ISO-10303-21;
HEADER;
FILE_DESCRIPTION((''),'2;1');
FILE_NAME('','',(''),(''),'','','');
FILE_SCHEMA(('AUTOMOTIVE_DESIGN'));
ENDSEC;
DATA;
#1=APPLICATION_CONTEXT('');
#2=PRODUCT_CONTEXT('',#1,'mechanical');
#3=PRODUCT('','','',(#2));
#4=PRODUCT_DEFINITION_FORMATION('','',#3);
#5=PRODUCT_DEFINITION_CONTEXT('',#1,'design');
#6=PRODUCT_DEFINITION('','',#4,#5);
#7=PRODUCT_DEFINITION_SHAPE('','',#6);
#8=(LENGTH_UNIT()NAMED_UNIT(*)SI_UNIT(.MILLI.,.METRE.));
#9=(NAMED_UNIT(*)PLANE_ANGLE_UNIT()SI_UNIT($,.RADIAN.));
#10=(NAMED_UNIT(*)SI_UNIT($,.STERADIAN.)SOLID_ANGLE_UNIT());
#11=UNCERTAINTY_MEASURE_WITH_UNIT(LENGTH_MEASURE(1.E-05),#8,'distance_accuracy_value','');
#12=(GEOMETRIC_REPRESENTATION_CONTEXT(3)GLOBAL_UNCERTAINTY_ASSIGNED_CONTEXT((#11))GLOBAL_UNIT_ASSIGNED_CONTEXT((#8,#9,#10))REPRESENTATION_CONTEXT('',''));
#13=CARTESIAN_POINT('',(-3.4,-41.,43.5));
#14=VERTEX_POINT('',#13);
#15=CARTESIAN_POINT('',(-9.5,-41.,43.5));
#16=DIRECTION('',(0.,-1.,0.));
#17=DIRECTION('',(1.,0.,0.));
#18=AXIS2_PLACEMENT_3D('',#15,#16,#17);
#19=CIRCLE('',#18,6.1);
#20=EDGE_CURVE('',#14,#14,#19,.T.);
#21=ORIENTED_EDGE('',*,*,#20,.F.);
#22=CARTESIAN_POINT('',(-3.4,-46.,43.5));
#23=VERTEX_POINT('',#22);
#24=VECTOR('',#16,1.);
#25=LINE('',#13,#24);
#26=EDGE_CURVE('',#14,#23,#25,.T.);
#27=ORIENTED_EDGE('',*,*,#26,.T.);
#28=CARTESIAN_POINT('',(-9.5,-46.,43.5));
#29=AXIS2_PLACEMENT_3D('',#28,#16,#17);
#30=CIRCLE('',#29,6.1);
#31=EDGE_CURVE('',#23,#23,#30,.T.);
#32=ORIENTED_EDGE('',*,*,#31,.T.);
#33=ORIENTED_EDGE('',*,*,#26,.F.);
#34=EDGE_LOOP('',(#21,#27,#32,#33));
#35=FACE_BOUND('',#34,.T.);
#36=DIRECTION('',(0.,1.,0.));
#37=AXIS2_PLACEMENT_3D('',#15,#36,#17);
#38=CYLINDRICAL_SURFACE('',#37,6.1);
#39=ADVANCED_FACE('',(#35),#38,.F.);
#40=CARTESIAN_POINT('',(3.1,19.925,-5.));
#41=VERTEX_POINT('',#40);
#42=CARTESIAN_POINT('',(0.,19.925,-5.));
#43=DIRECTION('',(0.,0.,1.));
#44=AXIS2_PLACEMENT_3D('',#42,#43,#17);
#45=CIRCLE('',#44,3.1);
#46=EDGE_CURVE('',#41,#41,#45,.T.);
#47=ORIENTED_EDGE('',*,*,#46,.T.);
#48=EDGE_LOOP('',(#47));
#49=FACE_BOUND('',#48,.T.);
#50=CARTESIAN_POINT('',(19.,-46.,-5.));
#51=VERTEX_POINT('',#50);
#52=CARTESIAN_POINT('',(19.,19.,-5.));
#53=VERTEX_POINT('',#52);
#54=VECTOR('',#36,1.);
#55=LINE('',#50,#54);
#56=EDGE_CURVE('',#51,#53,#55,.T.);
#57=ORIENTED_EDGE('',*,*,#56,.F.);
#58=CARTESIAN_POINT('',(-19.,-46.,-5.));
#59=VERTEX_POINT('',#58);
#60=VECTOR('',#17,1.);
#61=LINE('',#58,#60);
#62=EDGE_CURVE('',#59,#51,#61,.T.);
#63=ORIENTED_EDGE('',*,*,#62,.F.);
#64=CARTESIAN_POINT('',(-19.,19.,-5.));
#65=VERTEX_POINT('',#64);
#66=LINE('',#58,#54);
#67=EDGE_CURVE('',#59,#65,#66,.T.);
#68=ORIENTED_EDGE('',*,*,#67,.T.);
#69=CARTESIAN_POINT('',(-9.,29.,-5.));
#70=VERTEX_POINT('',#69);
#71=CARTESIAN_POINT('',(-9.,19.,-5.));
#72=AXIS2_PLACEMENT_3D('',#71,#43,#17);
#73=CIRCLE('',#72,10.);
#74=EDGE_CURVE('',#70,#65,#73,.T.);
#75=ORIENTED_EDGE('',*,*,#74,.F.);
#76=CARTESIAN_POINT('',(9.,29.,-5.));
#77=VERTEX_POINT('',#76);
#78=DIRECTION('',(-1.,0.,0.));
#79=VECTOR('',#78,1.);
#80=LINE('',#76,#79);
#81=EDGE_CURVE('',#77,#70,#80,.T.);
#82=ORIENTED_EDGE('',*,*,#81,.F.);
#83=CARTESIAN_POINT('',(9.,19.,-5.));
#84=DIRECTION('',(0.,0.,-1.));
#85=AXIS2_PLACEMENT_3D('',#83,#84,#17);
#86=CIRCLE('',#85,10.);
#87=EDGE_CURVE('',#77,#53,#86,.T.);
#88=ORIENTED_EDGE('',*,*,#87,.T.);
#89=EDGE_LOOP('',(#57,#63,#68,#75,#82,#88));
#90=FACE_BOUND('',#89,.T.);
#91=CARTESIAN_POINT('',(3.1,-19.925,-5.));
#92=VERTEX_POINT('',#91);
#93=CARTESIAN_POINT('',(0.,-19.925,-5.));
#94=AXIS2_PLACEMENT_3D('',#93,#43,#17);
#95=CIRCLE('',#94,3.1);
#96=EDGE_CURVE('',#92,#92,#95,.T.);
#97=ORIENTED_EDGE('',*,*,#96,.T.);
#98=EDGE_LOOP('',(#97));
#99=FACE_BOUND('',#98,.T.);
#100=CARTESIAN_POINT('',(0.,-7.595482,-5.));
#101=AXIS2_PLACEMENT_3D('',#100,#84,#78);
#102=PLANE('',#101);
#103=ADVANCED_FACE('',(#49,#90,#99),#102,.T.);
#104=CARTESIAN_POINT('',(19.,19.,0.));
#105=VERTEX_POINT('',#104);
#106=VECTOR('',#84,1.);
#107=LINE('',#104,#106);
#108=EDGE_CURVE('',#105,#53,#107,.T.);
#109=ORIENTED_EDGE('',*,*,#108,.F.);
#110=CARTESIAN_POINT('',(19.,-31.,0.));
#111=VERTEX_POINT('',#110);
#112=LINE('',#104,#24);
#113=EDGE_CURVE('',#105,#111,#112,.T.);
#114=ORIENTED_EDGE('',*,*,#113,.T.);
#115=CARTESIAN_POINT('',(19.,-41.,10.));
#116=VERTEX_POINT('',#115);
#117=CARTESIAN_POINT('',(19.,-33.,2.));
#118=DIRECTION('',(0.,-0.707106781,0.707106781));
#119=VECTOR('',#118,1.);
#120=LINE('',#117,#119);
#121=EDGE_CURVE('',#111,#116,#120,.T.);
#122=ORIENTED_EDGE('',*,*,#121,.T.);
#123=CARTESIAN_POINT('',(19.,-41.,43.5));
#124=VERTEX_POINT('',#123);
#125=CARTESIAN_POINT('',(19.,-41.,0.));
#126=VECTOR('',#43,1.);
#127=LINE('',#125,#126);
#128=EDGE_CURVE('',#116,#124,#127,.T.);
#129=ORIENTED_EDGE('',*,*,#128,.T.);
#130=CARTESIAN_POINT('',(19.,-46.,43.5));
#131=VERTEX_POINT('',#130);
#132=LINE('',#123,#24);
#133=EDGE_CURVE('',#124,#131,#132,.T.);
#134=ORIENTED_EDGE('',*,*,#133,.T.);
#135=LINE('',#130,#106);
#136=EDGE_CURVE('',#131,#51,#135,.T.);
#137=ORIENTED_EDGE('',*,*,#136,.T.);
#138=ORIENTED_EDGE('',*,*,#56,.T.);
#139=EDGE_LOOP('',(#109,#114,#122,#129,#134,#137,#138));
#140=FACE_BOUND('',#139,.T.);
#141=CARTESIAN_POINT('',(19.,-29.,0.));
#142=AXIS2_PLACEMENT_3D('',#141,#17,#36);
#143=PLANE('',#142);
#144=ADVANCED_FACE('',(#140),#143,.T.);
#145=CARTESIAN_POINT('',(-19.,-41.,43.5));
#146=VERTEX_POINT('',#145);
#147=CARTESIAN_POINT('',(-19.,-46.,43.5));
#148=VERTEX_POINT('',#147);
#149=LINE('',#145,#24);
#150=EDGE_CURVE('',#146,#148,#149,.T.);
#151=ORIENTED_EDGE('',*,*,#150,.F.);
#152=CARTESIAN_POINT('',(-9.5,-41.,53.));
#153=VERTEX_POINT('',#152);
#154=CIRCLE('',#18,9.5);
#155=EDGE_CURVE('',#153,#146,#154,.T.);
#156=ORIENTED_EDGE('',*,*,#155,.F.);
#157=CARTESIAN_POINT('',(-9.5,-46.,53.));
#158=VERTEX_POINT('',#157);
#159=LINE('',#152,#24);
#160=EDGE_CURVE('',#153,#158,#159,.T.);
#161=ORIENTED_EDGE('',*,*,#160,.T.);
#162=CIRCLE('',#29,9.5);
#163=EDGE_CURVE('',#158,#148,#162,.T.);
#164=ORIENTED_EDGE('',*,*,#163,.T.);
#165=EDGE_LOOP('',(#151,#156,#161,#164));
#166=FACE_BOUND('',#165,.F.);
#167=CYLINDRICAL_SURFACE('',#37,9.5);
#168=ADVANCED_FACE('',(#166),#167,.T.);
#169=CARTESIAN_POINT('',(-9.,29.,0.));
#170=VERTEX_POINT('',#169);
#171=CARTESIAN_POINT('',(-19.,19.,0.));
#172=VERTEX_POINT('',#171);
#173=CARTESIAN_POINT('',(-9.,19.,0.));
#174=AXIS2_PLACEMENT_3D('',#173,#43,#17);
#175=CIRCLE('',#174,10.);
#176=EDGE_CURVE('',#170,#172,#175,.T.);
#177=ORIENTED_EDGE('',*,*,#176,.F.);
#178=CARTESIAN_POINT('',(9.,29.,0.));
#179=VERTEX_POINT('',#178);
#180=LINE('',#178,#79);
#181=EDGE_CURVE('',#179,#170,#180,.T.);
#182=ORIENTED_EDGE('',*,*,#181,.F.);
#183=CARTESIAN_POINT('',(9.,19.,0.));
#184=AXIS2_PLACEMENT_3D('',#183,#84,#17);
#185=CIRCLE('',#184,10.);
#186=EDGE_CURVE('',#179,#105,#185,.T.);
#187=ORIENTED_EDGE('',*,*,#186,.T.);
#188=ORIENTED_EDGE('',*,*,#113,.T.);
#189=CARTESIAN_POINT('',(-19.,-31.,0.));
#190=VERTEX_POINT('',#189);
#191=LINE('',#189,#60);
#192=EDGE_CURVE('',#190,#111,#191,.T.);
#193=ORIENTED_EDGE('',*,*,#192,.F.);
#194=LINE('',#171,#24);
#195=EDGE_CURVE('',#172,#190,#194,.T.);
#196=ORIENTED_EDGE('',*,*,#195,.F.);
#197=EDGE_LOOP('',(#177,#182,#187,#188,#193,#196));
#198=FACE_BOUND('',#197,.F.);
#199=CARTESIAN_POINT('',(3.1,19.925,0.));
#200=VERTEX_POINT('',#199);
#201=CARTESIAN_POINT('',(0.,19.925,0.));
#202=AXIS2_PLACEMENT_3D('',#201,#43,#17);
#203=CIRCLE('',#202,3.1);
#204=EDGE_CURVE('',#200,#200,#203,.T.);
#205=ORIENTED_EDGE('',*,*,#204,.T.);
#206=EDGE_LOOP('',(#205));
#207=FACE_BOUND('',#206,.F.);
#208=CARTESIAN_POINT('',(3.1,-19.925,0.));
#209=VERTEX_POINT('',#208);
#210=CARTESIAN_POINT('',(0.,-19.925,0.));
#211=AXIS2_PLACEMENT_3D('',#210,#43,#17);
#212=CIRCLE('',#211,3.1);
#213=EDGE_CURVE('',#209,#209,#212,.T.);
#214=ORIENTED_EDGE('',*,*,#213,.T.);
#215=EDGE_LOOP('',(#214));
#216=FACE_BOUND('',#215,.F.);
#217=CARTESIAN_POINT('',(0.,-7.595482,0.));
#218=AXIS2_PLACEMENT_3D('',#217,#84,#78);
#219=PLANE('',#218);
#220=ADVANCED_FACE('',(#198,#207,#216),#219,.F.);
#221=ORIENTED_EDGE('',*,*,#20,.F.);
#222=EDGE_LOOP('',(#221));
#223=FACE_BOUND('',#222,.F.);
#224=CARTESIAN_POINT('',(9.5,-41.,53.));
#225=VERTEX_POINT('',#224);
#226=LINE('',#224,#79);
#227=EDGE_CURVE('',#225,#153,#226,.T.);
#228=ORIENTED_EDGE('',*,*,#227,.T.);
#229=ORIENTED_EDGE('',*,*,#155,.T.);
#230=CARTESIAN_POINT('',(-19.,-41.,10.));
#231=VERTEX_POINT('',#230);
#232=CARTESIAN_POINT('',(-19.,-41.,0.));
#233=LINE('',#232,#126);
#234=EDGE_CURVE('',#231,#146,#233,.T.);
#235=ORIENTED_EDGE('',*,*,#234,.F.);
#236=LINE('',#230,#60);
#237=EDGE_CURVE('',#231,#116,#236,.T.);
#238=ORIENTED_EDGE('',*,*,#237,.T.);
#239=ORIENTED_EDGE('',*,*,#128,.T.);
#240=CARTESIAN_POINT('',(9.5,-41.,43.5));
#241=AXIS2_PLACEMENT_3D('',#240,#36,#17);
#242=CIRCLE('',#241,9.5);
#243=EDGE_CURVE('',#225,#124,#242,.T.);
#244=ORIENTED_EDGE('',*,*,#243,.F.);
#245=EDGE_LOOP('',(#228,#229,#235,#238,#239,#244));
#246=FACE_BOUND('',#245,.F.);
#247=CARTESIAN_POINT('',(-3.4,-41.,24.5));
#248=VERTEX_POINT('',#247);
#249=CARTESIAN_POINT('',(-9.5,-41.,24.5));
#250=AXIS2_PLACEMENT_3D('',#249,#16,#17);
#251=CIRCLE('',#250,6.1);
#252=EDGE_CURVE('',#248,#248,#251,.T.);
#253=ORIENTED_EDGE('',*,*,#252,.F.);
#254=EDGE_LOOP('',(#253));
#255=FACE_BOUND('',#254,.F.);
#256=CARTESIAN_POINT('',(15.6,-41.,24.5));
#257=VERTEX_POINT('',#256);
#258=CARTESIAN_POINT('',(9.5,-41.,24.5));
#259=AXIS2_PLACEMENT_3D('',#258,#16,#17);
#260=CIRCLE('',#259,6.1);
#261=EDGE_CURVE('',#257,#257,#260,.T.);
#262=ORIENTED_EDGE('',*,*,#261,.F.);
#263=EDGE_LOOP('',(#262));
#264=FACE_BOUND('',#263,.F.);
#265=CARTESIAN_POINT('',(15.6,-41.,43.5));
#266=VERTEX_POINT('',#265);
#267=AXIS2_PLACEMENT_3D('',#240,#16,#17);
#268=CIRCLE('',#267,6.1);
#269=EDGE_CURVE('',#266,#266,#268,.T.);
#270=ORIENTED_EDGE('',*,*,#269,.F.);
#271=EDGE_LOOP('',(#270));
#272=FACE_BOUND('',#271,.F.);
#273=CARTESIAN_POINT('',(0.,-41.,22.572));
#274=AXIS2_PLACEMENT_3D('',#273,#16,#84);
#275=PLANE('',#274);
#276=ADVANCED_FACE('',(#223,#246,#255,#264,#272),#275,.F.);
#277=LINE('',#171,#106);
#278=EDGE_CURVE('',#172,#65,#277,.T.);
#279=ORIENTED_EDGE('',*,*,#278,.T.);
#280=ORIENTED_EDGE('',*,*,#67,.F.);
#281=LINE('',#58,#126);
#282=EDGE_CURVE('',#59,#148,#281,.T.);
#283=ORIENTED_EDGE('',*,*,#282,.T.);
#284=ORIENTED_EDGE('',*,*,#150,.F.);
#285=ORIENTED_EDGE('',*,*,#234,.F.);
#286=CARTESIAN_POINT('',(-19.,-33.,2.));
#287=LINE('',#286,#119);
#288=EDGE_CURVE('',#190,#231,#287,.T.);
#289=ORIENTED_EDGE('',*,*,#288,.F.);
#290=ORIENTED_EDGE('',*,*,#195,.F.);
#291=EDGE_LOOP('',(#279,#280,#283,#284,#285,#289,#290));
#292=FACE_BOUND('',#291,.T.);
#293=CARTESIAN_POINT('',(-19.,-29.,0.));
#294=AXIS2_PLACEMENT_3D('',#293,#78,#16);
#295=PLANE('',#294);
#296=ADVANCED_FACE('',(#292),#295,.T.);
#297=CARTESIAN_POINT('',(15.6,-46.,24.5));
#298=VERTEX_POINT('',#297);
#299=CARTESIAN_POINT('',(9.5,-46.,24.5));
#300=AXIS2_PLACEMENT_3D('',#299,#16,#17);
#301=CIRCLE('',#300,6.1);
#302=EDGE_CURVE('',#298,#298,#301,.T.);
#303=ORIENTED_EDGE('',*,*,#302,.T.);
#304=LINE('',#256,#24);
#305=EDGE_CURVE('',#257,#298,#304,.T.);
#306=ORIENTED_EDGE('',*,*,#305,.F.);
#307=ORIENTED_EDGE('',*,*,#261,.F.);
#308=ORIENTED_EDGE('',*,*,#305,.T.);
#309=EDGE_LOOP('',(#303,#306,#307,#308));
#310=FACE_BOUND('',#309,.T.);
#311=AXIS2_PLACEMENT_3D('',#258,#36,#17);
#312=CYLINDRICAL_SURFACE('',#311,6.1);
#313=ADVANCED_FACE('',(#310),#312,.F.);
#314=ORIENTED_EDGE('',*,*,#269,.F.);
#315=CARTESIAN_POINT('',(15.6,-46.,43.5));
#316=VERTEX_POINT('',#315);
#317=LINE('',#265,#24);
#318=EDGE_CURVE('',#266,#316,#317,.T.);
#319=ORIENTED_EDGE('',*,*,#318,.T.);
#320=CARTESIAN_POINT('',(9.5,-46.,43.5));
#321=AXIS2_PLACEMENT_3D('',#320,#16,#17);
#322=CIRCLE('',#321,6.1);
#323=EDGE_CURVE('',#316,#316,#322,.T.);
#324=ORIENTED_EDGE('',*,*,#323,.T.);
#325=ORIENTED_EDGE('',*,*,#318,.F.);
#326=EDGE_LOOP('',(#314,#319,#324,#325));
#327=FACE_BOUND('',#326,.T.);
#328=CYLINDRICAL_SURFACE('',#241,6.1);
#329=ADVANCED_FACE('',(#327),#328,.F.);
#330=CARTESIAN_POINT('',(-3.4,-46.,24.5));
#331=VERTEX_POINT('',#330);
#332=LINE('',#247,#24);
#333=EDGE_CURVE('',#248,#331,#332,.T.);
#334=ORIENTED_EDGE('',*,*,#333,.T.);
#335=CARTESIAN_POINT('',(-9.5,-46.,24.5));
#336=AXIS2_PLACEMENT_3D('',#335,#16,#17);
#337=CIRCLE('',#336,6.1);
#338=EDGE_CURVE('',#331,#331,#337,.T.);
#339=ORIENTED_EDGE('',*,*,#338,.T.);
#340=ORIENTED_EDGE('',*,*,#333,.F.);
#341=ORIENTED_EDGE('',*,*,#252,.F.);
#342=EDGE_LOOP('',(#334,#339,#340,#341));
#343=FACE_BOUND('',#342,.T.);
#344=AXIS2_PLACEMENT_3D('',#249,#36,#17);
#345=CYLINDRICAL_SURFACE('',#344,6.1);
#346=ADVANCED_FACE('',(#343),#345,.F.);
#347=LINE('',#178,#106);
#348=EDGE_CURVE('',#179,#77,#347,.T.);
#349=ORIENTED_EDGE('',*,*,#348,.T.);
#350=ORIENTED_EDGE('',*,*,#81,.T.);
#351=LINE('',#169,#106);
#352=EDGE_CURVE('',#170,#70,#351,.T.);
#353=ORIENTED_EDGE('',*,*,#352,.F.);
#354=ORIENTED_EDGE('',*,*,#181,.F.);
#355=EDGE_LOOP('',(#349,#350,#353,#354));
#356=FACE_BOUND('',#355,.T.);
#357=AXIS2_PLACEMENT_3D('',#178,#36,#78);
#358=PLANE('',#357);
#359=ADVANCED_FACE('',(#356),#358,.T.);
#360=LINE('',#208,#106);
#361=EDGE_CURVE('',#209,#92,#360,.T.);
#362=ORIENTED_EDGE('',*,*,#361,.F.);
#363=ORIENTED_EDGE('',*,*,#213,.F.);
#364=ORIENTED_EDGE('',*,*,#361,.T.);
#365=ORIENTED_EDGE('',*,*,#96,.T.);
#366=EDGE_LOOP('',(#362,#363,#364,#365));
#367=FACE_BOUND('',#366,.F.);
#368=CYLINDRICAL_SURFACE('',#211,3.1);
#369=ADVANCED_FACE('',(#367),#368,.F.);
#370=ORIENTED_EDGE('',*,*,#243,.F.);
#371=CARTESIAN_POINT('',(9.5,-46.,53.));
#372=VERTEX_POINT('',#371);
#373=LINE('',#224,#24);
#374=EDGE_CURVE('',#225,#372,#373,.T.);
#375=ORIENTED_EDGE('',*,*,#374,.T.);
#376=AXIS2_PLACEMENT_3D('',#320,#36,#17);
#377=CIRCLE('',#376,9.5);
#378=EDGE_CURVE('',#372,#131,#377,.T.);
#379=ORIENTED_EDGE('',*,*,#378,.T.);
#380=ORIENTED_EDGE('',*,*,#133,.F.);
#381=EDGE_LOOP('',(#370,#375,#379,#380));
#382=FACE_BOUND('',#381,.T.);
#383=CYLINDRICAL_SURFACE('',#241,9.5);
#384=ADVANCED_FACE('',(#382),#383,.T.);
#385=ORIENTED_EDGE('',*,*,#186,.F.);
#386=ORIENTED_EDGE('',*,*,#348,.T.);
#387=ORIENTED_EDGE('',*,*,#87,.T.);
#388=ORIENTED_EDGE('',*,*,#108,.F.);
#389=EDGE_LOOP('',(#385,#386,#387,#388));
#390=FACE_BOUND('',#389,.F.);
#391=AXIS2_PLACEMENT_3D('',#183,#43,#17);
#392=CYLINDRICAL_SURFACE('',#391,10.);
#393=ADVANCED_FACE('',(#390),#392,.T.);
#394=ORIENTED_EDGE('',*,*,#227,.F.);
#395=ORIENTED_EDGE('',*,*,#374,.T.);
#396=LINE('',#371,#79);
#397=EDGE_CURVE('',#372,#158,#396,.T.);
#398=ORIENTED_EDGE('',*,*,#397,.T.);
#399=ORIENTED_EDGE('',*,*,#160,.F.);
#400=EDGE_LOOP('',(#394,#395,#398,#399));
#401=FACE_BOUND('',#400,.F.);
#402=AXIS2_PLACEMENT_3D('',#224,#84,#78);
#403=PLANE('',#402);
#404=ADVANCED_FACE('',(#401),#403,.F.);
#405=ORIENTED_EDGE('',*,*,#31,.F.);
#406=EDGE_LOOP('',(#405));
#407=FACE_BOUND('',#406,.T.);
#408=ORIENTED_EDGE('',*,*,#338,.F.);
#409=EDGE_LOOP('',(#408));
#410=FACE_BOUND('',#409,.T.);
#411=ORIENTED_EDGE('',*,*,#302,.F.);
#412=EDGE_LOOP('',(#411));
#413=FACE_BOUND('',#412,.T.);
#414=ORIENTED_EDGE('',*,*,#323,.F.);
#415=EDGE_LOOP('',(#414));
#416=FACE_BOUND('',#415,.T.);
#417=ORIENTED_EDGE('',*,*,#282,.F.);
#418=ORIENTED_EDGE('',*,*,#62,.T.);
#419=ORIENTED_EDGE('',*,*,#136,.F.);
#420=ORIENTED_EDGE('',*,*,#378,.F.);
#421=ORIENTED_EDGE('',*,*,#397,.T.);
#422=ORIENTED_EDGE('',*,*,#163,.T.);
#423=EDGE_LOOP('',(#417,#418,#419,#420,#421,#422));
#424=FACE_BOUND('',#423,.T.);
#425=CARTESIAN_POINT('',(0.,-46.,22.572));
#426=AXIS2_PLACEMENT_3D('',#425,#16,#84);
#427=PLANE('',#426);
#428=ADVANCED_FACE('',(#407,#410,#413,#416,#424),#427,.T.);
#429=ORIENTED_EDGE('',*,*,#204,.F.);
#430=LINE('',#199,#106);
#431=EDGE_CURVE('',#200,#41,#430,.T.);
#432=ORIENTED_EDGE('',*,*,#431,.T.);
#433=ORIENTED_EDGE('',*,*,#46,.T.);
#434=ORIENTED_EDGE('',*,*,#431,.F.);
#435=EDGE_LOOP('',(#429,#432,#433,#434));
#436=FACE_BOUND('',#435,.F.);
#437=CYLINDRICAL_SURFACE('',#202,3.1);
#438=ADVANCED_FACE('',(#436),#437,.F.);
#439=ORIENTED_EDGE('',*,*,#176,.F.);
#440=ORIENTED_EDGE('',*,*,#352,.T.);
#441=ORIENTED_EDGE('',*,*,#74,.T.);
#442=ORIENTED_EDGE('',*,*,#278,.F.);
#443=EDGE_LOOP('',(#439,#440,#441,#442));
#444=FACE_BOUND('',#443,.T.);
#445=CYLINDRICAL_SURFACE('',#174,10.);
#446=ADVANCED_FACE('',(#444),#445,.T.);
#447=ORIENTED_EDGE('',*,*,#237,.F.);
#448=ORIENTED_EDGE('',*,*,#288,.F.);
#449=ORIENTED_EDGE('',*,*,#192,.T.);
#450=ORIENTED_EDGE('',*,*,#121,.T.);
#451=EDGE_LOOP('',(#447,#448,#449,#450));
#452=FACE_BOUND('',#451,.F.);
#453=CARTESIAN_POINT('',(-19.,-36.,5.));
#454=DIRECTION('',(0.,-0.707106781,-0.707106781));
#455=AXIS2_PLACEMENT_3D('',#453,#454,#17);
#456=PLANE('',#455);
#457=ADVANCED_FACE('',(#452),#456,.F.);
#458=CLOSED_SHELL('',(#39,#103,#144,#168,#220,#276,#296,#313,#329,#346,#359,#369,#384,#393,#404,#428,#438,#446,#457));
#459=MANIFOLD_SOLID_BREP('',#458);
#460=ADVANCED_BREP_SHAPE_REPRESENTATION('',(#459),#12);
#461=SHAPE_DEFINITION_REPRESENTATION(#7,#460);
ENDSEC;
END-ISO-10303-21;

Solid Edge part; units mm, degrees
sketch "Sketch1" plane through (0, 0, 0) normal (0, 0, 1) x (1, 0, 0)
  circle A0 centre (0, -19.925) radius 3.1
  circle A1 centre (0, 19.925) radius 3.1
  arc A2 (9, 29) -> (19, 19) centre (9, 19) cw
  line L0 (19, -29) -> (19, 19)
  line L1 (19, -41) -> (19, -29)
  line L2 (-19, -41) -> (19, -41)
  line L3 (-5.5, -41) -> (5.5, -41) construction
  line L4 (-19, -29) -> (-19, -41)
  line L5 (-19, 19) -> (-19, -29)
  arc A3 (-9, 29) -> (-19, 19) centre (-9, 19) ccw
  line L6 (9, 29) -> (-9, 29)
  dimension "D1" = 48
  dimension "D2" = 70
  dimension "D3" = 18
  dimension "D4" = 11
extrude "Protrusion1" add sketch "Sketch1" against normal blind 5
sketch "Sketch2" plane through (0, -41, -2.5) normal (0, -1, 0) x (1, 0, 0)
  line L0 (-19, -2.5) -> (19, -2.5)
  line L1 (19, -2.5) -> (19, 17.5)
  line L2 (19, 17.5) -> (19, 46)
  arc A0 (9.5, 55.5) -> (19, 46) centre (9.5, 46) cw
  line L3 (9.5, 55.5) -> (-9.5, 55.5)
  arc A1 (-9.5, 55.5) -> (-19, 46) centre (-9.5, 46) ccw
  line L4 (-19, 46) -> (-19, 17.5)
  line L5 (-19, 17.5) -> (-19, -2.5)
  circle A2 centre (-9.5, 27) radius 6.1
  circle A3 centre (9.5, 27) radius 6.1
  circle A4 centre (9.5, 46) radius 6.1
  circle A5 centre (-9.5, 46) radius 6.1
extrude "Extrusionsausprägung_2" add sketch "Sketch2" along normal blind 5
chamfer "Fase_1" distance 10 angle 45 1 edges at (0, -41, 0)
